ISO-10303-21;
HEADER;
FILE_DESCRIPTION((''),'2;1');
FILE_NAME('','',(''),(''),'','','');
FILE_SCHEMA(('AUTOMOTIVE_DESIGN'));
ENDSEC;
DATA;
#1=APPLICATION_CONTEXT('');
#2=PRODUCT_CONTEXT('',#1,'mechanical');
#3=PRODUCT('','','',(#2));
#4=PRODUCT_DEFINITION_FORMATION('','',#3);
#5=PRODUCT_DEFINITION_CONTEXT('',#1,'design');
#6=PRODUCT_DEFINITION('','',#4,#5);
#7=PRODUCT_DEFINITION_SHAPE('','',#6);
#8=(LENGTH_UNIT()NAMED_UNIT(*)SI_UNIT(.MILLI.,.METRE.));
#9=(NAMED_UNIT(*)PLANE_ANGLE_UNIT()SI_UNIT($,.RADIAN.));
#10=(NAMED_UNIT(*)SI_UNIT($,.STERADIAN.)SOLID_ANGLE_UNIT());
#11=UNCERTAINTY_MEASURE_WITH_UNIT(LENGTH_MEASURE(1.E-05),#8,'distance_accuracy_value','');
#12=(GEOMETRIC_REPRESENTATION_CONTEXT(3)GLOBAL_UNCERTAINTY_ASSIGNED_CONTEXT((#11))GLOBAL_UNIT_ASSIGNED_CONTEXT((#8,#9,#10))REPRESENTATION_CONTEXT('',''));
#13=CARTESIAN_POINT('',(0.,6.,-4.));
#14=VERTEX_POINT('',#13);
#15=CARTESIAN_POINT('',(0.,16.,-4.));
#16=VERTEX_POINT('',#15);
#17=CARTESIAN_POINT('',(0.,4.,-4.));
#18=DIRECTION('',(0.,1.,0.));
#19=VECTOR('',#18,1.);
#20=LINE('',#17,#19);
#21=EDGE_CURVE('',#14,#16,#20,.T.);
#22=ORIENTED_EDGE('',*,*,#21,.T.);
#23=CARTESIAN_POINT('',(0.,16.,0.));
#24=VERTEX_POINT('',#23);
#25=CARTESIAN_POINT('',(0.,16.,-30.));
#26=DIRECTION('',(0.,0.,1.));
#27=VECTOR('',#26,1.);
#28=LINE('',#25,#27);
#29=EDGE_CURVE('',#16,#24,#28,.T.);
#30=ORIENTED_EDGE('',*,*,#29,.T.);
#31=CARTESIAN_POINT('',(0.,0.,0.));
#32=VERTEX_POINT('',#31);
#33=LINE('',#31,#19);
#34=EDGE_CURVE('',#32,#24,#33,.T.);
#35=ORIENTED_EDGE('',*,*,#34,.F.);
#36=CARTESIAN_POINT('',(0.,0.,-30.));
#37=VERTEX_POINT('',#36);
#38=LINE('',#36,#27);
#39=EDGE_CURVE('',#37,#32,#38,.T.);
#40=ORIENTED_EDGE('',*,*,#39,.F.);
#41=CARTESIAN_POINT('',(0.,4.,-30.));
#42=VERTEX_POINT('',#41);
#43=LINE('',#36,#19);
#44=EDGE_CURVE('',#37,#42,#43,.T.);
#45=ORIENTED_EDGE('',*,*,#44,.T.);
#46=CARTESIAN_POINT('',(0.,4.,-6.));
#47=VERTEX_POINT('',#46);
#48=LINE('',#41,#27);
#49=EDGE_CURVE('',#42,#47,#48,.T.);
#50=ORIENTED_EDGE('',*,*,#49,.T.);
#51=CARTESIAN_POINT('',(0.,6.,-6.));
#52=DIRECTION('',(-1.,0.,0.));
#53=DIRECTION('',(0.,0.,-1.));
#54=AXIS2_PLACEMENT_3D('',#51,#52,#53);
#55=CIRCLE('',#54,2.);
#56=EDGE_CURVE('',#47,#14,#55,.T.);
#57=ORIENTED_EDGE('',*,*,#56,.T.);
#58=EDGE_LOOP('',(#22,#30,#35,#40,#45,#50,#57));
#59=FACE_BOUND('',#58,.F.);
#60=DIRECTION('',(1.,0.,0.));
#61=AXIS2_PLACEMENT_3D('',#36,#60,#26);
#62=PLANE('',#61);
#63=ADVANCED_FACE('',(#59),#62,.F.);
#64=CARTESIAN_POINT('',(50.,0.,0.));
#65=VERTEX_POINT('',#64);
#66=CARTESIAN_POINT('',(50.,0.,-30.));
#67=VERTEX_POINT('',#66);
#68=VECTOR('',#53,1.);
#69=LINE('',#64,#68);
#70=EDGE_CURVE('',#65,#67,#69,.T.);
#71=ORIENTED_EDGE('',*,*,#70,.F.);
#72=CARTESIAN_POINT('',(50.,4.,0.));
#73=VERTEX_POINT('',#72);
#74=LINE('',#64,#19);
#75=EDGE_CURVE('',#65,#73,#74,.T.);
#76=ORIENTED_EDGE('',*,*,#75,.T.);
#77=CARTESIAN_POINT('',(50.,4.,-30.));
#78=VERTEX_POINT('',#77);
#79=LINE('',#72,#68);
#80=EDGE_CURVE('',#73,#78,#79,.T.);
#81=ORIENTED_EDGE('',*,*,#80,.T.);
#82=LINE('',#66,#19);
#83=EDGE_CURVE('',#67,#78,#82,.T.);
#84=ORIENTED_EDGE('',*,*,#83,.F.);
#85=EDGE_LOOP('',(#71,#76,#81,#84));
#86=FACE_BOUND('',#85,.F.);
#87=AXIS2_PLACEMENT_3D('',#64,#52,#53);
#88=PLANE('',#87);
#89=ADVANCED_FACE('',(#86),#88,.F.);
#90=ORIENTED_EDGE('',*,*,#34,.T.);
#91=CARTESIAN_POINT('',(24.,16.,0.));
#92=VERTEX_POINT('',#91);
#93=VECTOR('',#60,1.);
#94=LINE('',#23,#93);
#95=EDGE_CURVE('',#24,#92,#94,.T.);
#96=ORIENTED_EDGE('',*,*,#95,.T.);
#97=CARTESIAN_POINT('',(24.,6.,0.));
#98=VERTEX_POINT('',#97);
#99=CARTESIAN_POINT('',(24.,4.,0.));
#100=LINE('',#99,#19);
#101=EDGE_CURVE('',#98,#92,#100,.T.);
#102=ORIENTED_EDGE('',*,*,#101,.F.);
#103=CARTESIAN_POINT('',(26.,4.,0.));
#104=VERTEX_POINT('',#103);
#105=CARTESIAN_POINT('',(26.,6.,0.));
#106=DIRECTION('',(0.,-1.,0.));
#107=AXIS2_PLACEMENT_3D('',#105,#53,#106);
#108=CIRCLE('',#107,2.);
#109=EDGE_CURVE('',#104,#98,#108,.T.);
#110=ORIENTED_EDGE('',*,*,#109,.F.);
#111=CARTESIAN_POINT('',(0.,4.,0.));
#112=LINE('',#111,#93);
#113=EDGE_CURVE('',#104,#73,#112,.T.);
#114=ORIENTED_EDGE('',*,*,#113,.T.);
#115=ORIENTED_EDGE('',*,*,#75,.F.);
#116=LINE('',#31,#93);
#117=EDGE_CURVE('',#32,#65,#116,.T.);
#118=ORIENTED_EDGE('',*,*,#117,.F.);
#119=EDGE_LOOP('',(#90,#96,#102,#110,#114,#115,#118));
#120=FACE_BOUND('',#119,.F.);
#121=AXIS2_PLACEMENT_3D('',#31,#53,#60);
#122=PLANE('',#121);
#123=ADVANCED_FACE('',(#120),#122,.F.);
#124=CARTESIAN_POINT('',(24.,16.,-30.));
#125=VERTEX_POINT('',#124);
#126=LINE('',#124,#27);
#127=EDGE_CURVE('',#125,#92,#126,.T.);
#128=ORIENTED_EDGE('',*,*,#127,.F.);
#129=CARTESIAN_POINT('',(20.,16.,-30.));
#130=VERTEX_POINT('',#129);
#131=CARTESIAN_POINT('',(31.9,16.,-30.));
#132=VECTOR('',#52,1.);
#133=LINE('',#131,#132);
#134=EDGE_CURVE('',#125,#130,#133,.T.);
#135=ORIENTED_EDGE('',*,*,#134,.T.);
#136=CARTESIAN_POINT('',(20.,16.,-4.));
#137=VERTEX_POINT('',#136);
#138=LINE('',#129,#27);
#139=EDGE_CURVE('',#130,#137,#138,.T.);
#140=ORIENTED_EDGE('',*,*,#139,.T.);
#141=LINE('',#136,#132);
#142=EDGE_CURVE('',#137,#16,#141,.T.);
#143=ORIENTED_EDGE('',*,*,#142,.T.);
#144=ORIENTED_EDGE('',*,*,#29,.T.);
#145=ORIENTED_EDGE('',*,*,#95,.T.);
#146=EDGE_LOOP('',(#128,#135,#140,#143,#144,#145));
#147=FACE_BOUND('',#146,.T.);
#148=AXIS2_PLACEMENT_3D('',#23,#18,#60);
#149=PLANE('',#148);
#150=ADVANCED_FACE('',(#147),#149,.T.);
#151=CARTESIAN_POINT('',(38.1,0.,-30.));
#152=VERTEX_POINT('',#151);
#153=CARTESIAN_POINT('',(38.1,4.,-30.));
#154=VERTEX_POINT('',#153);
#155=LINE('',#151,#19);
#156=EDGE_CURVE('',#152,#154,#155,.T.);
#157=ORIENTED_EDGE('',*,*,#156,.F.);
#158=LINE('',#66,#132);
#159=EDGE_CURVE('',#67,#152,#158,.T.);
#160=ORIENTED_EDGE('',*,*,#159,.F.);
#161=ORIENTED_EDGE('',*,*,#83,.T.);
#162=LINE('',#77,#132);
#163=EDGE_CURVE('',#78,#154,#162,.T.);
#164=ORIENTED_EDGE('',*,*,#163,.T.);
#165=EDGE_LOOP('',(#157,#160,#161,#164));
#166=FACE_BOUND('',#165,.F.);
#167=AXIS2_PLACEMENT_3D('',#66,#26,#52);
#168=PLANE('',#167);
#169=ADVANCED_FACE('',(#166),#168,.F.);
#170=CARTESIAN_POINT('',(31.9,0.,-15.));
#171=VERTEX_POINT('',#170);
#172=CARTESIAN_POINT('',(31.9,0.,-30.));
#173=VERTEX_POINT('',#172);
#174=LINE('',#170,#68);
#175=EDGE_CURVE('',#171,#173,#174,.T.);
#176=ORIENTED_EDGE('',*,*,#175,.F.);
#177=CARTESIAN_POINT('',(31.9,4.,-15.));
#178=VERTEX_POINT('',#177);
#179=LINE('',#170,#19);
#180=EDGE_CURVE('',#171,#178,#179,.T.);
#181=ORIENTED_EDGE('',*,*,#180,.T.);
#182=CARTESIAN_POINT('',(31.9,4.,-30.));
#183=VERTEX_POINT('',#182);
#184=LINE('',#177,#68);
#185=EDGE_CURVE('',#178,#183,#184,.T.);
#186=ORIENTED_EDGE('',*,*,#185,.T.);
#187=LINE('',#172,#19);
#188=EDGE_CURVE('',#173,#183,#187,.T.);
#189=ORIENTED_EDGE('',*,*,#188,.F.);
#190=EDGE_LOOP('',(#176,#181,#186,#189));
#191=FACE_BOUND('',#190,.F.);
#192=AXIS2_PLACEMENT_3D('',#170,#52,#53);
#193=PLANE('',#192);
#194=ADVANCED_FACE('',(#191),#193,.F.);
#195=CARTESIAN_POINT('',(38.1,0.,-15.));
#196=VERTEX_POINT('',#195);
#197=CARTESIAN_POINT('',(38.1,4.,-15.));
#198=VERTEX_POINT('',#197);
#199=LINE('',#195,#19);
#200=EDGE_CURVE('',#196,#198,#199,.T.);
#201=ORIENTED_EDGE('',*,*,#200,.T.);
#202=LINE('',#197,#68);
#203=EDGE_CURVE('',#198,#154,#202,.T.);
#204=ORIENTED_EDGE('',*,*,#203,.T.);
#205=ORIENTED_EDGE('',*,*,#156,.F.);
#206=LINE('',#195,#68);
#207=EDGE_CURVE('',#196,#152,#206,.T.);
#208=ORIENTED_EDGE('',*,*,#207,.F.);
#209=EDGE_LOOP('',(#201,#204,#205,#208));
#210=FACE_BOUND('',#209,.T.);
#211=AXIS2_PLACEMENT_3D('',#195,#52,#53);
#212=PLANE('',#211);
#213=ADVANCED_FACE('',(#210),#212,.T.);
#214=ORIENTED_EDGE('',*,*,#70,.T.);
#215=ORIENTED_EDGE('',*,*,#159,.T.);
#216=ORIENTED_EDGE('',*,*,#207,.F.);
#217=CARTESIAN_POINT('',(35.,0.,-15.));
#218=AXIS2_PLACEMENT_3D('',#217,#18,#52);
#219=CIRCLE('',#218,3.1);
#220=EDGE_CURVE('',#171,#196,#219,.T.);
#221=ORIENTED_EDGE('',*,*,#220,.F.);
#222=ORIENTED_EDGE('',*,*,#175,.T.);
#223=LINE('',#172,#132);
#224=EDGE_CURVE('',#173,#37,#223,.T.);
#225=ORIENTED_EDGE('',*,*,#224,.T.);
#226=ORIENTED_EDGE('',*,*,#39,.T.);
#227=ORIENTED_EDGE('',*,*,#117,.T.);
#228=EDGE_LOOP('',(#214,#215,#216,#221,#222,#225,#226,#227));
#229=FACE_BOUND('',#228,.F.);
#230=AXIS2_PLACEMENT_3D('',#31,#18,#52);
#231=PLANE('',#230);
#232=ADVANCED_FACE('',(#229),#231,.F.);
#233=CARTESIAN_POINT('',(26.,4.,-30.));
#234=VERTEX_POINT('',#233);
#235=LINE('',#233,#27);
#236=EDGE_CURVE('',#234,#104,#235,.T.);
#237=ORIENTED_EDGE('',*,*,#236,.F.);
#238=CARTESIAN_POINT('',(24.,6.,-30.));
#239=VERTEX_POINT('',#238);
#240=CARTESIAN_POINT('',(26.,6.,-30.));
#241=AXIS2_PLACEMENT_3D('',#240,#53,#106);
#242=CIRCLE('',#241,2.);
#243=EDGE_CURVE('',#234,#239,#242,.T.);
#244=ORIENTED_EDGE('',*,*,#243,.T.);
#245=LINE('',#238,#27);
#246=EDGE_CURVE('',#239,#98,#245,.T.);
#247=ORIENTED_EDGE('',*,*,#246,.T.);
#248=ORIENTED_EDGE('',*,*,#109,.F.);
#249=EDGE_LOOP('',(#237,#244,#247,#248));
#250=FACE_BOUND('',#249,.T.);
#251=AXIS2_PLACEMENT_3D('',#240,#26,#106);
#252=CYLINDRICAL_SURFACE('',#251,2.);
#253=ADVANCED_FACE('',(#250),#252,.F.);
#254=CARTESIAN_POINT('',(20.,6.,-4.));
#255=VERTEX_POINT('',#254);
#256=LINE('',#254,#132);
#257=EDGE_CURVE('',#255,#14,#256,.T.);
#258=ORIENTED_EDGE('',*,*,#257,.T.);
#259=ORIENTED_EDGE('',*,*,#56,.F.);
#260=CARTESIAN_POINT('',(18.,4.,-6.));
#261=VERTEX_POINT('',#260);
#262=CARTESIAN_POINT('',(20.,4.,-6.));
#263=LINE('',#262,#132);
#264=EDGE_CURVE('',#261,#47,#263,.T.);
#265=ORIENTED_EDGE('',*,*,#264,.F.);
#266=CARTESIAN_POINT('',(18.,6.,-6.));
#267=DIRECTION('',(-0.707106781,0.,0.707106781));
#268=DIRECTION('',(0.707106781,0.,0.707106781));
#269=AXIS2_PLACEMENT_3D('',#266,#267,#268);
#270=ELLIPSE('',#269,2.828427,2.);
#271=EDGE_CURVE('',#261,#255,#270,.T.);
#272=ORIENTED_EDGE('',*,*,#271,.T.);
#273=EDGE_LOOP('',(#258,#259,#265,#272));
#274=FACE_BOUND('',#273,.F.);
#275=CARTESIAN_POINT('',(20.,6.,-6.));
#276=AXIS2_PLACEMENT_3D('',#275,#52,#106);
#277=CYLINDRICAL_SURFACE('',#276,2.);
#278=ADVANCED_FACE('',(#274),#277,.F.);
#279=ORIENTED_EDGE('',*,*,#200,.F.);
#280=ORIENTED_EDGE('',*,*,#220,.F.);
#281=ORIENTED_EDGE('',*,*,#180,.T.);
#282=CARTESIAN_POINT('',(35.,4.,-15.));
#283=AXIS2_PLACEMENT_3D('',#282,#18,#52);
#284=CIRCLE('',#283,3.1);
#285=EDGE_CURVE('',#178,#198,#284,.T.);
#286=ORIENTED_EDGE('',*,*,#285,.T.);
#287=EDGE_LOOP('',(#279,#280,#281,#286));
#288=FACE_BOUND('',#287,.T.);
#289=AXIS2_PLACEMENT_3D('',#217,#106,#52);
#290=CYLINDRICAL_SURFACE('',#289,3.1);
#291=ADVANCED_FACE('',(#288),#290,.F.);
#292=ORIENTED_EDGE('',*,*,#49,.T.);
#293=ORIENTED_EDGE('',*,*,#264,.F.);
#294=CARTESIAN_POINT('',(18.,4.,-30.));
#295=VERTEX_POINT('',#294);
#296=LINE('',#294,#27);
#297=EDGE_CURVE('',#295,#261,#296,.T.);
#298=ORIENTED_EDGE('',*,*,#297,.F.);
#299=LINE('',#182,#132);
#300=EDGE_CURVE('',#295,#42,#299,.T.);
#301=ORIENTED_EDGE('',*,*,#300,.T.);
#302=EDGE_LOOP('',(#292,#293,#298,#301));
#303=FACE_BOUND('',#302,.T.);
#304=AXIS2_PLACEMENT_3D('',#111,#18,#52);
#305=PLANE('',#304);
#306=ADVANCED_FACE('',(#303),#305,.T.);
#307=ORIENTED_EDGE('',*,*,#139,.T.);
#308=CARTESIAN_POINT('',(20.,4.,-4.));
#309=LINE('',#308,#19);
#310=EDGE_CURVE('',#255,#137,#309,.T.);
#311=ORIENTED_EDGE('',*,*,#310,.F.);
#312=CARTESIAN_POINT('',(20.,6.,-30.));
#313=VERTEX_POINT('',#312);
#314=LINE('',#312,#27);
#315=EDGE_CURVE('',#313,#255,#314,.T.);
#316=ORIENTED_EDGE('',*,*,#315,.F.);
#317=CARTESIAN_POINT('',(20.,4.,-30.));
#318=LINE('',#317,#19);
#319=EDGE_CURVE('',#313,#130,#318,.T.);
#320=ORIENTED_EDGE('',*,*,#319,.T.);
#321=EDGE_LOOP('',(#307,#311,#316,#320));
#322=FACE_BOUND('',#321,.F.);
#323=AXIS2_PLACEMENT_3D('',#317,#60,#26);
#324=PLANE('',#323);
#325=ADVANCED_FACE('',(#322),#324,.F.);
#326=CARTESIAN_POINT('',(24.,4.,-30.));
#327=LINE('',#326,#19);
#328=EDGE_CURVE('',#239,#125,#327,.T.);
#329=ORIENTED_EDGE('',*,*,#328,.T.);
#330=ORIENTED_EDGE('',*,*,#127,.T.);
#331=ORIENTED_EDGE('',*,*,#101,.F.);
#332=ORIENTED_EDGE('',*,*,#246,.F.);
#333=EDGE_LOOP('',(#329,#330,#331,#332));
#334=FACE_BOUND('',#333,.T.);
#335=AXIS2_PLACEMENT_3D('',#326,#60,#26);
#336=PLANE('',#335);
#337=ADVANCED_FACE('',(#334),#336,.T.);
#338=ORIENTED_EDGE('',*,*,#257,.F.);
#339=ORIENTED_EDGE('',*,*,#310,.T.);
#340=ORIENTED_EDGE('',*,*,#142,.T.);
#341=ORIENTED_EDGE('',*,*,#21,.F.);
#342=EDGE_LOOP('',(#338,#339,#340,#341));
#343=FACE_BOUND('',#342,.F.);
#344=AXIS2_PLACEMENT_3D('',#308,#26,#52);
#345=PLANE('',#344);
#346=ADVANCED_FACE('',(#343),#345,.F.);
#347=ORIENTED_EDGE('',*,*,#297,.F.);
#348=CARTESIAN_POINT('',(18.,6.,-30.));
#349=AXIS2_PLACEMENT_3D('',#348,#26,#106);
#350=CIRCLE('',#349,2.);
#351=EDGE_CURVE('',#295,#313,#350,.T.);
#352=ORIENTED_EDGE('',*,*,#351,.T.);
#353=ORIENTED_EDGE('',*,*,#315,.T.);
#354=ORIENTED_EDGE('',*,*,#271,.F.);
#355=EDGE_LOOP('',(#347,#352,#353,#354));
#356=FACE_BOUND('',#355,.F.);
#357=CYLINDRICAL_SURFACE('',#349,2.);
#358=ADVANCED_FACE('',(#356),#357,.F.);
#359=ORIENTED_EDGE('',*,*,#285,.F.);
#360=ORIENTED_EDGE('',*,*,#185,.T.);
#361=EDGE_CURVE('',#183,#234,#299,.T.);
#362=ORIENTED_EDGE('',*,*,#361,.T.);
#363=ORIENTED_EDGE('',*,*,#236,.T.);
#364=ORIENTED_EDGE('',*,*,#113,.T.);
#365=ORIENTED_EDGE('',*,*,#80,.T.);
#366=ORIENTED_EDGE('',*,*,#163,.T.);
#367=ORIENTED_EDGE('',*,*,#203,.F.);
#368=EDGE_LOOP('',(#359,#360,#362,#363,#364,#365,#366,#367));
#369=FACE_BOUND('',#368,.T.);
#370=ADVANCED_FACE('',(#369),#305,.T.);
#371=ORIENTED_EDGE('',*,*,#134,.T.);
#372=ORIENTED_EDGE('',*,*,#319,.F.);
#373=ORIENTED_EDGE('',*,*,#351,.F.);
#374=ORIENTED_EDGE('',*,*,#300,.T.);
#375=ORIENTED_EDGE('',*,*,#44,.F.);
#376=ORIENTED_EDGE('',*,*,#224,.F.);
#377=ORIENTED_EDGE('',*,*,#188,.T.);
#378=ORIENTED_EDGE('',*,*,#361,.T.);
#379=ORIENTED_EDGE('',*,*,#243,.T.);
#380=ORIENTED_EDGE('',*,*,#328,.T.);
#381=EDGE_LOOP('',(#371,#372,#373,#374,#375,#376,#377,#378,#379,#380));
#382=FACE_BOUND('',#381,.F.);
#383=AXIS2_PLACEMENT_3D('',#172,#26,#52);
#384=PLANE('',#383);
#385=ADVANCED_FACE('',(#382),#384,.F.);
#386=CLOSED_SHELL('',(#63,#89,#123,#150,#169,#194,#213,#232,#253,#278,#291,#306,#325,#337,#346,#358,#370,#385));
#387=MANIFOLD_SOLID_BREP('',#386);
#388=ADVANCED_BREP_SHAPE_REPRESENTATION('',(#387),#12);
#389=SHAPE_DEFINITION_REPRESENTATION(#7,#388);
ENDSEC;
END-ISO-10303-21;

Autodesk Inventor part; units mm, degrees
ref_plane "YZ Plane" through (0, 0, 0) normal (1, 0, 0) x (0, 1, 0)
ref_plane "XZ Plane" through (0, 0, 0) normal (0, 1, 0) x (-1, 0, 0)
ref_plane "XY Plane" through (0, 0, 0) normal (0, 0, 1) x (1, 0, 0)
sketch "Sketch1" plane through (0, 0, 0) normal (0, 1, 0) x (-1, 0, 0)
  line L0 (0, 0) -> (-50, 0)
  line L1 (-50, 0) -> (-50, -30)
  line L2 (0, -30) -> (0, 0)
  line L3 (-50, -15) -> (-35, -15) construction
  arc A0 (-31.9, -15) -> (-38.1, -15) centre (-35, -15) ccw
  line L4 (-31.9, -15) -> (-31.9, -30)
  line L5 (-38.1, -15) -> (-38.1, -30)
  line L6 (-50, -30) -> (-38.1, -30)
  line L7 (-31.9, -30) -> (0, -30)
  dimension "d0" = 15
  dimension "d1" = 6.2
  dimension "d2" = 30
  dimension "d3" = 50
extrude "Extrusion1" add sketch "Sketch1" along normal blind 4
sketch "Sketch2" plane through (0, 4, 0) normal (0, 1, 0) x (1, 0, 0)
  line L0 (31.9, 30) -> (0, 30) projected
  line L1 (20, 30) -> (20, 4)
  line L2 (20, 4) -> (0, 4)
  line L3 (0, 30) -> (0, 0) projected
  line L4 (50, 0) -> (50, 30) projected
  line L5 (0, 0) -> (50, 0) projected
  line L6 (24, 30) -> (24, 0)
  dimension "d6" = 30
  dimension "d7" = 4
  dimension "d8" = 4
extrude "Extrusion2" add sketch "Sketch2" along normal blind 12 contours L6 L5 L3 L2 L1 L0
fillet "Fillet1" radius 2 3 edges at (20, 4, -17) (10, 4, -4) (24, 4, -15)
properties part number "Laptop-ecke_3DPrint"
